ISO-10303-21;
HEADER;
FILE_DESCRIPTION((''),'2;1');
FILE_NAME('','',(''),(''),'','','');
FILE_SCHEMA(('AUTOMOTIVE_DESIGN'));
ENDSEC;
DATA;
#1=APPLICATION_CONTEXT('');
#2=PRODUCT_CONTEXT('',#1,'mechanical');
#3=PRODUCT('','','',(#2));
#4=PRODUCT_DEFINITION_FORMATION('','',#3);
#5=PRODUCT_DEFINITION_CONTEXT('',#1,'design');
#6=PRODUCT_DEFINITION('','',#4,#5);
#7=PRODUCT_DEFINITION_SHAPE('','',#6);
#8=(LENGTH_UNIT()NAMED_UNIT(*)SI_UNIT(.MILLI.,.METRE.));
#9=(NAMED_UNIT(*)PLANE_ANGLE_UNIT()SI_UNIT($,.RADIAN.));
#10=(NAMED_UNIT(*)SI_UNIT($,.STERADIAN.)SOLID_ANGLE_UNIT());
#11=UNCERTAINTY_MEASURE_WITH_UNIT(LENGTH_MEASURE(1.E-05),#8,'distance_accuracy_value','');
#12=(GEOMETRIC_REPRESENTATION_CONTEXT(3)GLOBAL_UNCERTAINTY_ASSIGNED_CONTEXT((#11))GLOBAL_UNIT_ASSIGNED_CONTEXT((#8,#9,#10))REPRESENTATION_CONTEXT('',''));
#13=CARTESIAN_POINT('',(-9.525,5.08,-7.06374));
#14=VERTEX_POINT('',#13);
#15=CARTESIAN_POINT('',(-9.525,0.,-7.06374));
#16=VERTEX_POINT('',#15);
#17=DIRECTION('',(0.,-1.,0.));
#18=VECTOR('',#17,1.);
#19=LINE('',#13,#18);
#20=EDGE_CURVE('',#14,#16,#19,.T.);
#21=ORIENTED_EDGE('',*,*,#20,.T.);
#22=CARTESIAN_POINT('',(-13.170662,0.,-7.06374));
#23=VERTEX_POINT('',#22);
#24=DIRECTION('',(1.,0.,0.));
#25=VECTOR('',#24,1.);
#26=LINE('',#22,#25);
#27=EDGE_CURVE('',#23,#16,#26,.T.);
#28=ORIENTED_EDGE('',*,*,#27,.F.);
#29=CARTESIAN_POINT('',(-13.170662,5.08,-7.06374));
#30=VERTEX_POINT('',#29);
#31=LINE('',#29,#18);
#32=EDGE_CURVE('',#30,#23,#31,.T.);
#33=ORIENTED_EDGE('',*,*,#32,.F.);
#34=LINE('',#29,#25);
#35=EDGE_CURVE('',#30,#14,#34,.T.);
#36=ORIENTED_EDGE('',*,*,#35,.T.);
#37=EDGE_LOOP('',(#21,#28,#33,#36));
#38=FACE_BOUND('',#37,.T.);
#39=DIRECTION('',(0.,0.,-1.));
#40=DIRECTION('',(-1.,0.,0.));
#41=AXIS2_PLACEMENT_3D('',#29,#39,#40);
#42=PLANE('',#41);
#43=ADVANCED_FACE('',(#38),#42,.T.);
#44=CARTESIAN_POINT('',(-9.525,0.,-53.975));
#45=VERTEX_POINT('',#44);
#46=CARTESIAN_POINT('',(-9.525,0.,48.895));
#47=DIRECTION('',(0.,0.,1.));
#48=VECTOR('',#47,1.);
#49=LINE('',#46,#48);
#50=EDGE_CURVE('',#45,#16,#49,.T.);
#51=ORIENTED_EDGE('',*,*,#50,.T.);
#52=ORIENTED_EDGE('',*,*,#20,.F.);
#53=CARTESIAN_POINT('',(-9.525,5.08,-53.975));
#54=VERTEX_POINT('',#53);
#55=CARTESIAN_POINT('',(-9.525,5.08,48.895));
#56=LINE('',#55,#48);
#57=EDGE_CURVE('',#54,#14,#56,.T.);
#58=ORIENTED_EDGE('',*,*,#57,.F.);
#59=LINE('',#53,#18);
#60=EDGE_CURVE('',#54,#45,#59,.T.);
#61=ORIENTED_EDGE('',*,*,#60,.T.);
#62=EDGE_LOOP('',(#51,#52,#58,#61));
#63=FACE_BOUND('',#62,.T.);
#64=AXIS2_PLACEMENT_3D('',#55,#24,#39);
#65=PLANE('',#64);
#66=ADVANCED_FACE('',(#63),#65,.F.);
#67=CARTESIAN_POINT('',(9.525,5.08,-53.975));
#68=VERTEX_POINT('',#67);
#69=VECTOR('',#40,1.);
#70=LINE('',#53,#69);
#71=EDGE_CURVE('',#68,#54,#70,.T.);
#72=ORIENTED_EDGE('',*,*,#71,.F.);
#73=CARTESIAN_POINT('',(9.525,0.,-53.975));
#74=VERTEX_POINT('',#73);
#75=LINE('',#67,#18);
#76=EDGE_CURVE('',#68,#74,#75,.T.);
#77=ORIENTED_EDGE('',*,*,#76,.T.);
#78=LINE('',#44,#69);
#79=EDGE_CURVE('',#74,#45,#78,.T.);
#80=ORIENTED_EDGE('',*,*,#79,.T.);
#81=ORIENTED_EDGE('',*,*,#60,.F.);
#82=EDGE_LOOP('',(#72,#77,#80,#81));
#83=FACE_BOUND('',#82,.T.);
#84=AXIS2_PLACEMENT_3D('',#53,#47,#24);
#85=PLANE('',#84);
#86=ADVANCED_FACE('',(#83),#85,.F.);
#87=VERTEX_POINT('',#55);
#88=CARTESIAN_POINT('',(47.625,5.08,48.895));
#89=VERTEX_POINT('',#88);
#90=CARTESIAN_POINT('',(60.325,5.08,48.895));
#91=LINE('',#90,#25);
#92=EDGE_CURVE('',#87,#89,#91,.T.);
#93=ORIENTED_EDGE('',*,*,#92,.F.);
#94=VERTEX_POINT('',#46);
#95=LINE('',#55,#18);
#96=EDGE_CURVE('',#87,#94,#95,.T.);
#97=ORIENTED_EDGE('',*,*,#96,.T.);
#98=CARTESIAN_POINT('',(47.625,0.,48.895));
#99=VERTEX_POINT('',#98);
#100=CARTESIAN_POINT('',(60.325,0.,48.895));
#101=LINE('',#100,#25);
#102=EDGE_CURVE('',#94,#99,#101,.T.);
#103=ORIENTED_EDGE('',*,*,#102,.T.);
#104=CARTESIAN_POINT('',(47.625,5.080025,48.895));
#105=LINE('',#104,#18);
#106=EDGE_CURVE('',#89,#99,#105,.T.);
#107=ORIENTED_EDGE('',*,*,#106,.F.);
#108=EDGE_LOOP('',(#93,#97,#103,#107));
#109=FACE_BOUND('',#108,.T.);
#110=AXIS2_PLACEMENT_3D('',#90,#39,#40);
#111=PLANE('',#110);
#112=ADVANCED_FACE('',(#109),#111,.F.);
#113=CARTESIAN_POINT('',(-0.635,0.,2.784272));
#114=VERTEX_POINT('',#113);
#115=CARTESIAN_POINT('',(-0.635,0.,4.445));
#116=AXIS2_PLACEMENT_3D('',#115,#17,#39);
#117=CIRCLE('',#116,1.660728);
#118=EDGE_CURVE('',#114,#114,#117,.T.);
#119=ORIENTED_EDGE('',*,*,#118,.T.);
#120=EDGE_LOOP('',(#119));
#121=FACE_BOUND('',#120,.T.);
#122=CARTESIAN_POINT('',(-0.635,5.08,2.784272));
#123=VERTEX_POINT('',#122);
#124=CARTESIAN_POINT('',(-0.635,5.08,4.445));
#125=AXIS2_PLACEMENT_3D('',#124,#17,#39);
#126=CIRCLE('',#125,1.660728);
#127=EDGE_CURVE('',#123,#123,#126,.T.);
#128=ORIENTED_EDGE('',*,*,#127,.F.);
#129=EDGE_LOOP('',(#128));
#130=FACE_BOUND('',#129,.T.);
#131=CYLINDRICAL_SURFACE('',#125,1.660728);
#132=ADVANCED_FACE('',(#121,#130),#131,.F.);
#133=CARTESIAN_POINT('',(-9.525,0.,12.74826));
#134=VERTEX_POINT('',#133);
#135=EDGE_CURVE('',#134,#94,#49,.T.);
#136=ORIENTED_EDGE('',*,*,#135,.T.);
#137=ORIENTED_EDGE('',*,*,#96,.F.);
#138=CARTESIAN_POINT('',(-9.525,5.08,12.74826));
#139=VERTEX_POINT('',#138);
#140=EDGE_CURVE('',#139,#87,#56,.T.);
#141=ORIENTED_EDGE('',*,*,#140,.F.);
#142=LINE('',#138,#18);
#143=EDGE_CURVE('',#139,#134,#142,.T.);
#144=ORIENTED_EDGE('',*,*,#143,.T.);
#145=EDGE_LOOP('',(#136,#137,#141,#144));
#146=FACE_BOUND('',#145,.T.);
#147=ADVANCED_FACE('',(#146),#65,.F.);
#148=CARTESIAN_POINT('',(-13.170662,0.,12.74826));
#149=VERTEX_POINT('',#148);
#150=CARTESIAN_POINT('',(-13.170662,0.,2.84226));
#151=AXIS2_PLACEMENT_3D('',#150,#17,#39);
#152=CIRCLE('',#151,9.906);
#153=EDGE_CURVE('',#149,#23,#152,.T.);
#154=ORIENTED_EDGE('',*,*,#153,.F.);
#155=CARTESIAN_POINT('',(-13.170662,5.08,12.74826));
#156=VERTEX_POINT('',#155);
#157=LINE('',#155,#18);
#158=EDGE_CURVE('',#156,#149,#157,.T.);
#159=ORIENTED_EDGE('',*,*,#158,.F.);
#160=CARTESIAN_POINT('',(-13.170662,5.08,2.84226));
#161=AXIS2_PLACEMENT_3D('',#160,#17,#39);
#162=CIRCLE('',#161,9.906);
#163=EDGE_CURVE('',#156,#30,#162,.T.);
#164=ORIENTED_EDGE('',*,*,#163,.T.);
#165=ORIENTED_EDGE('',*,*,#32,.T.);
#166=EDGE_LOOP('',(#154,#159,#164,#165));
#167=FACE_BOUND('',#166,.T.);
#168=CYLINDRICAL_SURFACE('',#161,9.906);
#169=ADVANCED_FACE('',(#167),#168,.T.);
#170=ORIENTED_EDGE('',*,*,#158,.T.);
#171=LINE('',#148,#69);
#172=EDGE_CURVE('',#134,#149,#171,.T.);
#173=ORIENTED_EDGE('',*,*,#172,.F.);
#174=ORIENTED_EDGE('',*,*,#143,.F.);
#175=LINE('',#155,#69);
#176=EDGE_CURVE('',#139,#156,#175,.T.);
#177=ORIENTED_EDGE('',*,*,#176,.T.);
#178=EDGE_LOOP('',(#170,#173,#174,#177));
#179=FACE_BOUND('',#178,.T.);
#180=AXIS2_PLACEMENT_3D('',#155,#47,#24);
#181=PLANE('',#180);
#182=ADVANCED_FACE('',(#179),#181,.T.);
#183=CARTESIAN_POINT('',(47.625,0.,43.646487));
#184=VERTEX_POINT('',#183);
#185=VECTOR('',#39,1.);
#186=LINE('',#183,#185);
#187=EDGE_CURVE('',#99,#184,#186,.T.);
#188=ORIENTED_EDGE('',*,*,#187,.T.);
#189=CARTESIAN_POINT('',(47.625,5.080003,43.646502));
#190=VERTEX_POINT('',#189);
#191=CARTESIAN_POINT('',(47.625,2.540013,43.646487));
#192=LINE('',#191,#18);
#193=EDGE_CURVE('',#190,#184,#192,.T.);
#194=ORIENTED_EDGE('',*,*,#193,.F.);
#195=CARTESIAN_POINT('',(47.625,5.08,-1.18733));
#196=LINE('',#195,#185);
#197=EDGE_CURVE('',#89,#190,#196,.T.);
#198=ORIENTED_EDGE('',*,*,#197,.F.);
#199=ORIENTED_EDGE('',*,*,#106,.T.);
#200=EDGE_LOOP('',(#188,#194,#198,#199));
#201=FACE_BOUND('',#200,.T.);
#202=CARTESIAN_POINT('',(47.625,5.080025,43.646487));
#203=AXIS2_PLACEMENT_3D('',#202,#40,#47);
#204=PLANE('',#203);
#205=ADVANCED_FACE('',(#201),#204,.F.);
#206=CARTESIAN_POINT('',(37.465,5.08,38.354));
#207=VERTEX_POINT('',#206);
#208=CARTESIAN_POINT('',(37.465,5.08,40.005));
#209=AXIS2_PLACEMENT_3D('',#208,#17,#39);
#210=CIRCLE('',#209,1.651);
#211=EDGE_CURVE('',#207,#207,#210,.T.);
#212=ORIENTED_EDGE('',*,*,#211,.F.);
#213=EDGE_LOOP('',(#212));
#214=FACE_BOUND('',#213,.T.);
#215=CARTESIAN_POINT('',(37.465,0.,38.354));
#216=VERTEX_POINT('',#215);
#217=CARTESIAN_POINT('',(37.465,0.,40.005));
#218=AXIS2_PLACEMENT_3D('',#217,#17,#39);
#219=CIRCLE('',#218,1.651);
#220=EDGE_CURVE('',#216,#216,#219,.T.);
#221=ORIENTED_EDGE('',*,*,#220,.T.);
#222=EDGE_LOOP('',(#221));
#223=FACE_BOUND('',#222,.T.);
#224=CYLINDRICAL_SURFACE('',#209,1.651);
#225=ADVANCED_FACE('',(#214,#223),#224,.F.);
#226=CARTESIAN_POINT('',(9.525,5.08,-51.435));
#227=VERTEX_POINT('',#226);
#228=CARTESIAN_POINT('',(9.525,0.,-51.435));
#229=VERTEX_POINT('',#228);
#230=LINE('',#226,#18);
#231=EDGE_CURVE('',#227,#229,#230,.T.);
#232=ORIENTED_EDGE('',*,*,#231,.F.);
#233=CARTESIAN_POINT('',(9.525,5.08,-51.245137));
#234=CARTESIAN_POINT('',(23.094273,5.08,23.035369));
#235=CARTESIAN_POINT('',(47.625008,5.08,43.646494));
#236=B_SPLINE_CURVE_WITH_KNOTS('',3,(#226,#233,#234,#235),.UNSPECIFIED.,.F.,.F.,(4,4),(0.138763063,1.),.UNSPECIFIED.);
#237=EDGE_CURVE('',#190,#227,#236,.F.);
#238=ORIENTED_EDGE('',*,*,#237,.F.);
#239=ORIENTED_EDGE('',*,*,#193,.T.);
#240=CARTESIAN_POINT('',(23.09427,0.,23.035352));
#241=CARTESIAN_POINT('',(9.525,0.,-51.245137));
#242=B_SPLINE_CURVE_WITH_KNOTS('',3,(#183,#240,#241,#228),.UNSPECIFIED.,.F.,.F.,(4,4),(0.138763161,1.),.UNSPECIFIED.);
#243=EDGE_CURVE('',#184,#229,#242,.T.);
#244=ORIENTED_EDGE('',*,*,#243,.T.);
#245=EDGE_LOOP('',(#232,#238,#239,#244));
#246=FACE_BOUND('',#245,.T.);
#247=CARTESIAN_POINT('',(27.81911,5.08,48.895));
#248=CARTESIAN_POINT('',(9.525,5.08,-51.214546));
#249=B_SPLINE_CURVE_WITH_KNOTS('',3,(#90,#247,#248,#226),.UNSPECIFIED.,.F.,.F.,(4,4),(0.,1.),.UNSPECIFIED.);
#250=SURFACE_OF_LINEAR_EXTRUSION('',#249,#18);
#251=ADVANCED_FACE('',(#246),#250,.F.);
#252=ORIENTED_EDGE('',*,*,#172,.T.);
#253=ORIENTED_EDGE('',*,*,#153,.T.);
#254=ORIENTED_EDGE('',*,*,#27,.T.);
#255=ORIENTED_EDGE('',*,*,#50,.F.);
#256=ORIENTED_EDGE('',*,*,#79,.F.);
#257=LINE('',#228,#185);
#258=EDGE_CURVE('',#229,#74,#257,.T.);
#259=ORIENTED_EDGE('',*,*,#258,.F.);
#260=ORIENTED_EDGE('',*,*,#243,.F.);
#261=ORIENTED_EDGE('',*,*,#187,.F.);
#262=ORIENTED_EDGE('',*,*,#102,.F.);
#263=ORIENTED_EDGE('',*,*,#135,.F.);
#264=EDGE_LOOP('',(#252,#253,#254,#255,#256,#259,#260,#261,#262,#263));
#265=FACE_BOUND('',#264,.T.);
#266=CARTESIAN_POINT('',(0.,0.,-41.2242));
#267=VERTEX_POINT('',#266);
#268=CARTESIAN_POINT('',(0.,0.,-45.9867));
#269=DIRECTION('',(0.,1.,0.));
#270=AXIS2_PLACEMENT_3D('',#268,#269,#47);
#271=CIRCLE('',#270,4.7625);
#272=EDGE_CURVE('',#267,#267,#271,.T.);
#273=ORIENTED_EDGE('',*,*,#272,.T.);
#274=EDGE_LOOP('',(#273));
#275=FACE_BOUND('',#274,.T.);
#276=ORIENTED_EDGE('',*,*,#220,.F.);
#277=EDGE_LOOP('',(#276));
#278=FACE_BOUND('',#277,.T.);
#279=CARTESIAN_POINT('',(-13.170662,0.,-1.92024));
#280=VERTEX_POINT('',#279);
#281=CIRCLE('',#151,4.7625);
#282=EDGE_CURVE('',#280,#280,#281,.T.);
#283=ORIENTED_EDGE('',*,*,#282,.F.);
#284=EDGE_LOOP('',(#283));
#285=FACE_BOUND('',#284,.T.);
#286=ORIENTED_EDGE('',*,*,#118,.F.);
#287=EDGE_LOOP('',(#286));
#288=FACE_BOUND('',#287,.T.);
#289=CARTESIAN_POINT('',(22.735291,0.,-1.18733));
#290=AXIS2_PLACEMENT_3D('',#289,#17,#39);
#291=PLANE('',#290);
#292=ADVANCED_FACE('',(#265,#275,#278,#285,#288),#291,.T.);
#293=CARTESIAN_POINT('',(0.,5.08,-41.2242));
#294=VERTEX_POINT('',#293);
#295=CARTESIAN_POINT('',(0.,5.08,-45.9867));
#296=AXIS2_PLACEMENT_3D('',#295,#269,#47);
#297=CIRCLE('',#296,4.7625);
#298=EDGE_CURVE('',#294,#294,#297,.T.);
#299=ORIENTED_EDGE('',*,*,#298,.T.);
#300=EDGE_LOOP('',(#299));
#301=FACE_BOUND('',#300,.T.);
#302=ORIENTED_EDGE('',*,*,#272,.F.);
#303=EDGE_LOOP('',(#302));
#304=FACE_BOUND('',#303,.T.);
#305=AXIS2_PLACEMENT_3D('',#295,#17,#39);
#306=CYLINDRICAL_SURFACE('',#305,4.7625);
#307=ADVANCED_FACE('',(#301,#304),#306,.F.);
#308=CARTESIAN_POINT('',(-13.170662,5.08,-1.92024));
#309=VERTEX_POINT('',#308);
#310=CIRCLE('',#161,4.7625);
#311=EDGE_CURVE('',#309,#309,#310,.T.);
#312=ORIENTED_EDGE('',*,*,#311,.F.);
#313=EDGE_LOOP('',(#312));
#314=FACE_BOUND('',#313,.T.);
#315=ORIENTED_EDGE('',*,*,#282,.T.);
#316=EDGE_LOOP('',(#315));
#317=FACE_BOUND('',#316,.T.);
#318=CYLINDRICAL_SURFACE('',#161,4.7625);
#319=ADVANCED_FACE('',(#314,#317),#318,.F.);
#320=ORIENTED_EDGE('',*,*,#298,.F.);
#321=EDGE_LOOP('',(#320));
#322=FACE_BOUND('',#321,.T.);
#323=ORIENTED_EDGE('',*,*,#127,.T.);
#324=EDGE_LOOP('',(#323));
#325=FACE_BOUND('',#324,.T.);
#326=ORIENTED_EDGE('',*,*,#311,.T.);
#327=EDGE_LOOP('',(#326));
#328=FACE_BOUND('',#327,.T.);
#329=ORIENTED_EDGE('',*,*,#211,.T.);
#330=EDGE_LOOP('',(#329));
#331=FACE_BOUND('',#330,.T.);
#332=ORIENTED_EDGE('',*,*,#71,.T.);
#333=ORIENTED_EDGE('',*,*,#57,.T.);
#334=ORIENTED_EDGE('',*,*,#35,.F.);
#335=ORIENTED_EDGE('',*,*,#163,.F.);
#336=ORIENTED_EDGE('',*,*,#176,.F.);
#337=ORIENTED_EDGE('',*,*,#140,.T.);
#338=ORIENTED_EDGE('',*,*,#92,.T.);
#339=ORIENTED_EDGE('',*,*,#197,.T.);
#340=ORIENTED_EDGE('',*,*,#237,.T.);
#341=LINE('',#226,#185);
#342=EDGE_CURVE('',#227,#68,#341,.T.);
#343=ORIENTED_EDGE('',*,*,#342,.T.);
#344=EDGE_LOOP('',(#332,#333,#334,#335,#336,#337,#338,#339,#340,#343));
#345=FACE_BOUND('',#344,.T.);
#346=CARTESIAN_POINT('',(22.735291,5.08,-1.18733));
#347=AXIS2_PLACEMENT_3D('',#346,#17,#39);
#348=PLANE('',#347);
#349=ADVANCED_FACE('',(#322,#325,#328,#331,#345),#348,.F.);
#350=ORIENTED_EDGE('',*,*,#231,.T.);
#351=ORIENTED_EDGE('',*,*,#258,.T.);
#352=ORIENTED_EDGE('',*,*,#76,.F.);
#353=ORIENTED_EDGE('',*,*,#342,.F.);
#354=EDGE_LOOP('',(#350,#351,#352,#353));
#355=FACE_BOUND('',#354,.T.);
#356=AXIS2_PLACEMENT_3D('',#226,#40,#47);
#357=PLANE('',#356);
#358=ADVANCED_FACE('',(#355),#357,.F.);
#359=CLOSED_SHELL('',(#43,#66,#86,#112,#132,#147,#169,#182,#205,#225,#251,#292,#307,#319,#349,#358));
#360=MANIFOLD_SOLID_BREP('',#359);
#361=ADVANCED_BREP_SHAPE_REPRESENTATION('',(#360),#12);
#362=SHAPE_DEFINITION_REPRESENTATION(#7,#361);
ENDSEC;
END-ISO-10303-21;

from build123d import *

# Parameters (mm, degrees)
SKETCH1_R               = 4.7625
BOSS_EXTRUDE1_DEPTH     = 5.08
SKETCH4_W               = 19.05
SKETCH4_H               = 5.08
BOSS_EXTRUDE2_DEPTH     = 5.08
SKETCH5_R               = 1.660728382
SKETCH5_R_2             = 1.651
CUT_EXTRUDE1_DEPTH      = 1.0000001
CUT_EXTRUDE1_DEPTH_BACK = 6.0800001
SKETCH6_R               = 4.7625
BOSS_EXTRUDE3_DEPTH     = 5.08
SKETCH8_R               = 4.7625
CUT_EXTRUDE2_DEPTH      = 6.0800001
SKETCH9_W               = 19.05
SKETCH9_H               = 5.08
CUT_EXTRUDE3_DEPTH      = 1.0000001
CUT_EXTRUDE3_DEPTH_BACK = 6.0800001
CUT_EXTRUDE4_DEPTH      = 1.0000001
CUT_EXTRUDE4_DEPTH_BACK = 6.0800001


with BuildPart() as part:
    # Sketch1 → Boss-Extrude1 (new body)
    with BuildSketch(Plane(origin=(0, 0, 0), x_dir=(1, 0, 0), z_dir=(0, 1, 0))):
        with BuildLine():
            Line((-9.525, 53.975), (9.525, 53.975))
            Line((9.525, 53.975), (9.525, 51.435))
            add(Edge.make_bspline(
                [(9.525, 51.435), (9.525, 51.21454564), (27.819109584, -48.895), (60.325, -48.895)],
                knots=[0, 0, 0, 0, 1, 1, 1, 1], degree=3))
            Line((60.325, -48.895), (-9.525, -48.895))
            Line((-9.525, -48.895), (-9.525, 53.975))
        make_face()
        with Locations((0, 45.9867)):
            Circle(SKETCH1_R, mode=Mode.SUBTRACT)
    extrude(amount=BOSS_EXTRUDE1_DEPTH)

    # Sketch4 → Boss-Extrude2 (add)
    with BuildSketch(Plane(origin=(0, 5.08, 0), x_dir=(1, 0, 0), z_dir=(0, 1, 0))):
        with Locations((50.8, -51.435)):
            Rectangle(SKETCH4_W, SKETCH4_H)
    extrude(amount=-BOSS_EXTRUDE2_DEPTH)

    # Sketch5 → Cut-Extrude1 (cut, two sides)
    with BuildSketch(Plane.XZ) as cut_extrude1_sk:
        with Locations((-0.635, 4.445)):
            Circle(SKETCH5_R)
        with Locations((37.465, 40.005)):
            Circle(SKETCH5_R_2)
    extrude(amount=CUT_EXTRUDE1_DEPTH, mode=Mode.SUBTRACT)
    extrude(cut_extrude1_sk.sketch, amount=-CUT_EXTRUDE1_DEPTH_BACK, mode=Mode.SUBTRACT)

    # Sketch6 → Boss-Extrude3 (add)
    with BuildSketch(Plane.XZ):
        with BuildLine():
            Line((-13.170662, 12.74826), (-9.525, 12.74826))
            Line((-9.525, 12.74826), (-9.525, 12.053013747))
            ThreePointArc((-9.525, 12.053013747), (-3.264662, 2.84226), (-9.525, -6.368493747))
            Line((-9.525, -6.368493747), (-9.525, -7.06374))
            Line((-9.525, -7.06374), (-13.170662, -7.06374))
            ThreePointArc((-13.170662, -7.06374), (-23.076662, 2.84226), (-13.170662, 12.74826))
        make_face()
        with Locations((-13.170662, 2.84226)):
            Circle(SKETCH6_R, mode=Mode.SUBTRACT)
    extrude(amount=-BOSS_EXTRUDE3_DEPTH)

    # Sketch8 → Cut-Extrude2 (cut, through all)
    with BuildSketch(Plane(origin=(0, 5.08, 0), x_dir=(1, 0, 0), z_dir=(0, 1, 0))):
        with Locations((-13.170662, -2.84226)):
            Circle(SKETCH8_R)
    extrude(amount=-CUT_EXTRUDE2_DEPTH, mode=Mode.SUBTRACT)

    # Sketch9 → Cut-Extrude3 (cut, two sides)
    with BuildSketch(Plane.XZ) as cut_extrude3_sk:
        with Locations((50.8, 51.435)):
            Rectangle(SKETCH9_W, SKETCH9_H)
    extrude(amount=CUT_EXTRUDE3_DEPTH, mode=Mode.SUBTRACT)
    extrude(cut_extrude3_sk.sketch, amount=-CUT_EXTRUDE3_DEPTH_BACK, mode=Mode.SUBTRACT)

    # Sketch10 → Cut-Extrude4 (cut, two sides)
    with BuildSketch(Plane.XZ) as cut_extrude4_sk:
        with BuildLine():
            Line((47.625, 43.646486826), (47.625, 48.895))
            Line((47.625, 48.895), (60.325, 48.895))
            add(Edge.make_bspline(
                [(60.325, 48.895), (55.814379896, 48.895), (51.577410685, 46.967369191), (47.625, 43.646486826)],
                knots=[0, 0, 0, 0, 0.138763161, 0.138763161, 0.138763161, 0.138763161], degree=3))
        make_face()
    extrude(amount=CUT_EXTRUDE4_DEPTH, mode=Mode.SUBTRACT)
    extrude(cut_extrude4_sk.sketch, amount=-CUT_EXTRUDE4_DEPTH_BACK, mode=Mode.SUBTRACT)


solid = part.part
